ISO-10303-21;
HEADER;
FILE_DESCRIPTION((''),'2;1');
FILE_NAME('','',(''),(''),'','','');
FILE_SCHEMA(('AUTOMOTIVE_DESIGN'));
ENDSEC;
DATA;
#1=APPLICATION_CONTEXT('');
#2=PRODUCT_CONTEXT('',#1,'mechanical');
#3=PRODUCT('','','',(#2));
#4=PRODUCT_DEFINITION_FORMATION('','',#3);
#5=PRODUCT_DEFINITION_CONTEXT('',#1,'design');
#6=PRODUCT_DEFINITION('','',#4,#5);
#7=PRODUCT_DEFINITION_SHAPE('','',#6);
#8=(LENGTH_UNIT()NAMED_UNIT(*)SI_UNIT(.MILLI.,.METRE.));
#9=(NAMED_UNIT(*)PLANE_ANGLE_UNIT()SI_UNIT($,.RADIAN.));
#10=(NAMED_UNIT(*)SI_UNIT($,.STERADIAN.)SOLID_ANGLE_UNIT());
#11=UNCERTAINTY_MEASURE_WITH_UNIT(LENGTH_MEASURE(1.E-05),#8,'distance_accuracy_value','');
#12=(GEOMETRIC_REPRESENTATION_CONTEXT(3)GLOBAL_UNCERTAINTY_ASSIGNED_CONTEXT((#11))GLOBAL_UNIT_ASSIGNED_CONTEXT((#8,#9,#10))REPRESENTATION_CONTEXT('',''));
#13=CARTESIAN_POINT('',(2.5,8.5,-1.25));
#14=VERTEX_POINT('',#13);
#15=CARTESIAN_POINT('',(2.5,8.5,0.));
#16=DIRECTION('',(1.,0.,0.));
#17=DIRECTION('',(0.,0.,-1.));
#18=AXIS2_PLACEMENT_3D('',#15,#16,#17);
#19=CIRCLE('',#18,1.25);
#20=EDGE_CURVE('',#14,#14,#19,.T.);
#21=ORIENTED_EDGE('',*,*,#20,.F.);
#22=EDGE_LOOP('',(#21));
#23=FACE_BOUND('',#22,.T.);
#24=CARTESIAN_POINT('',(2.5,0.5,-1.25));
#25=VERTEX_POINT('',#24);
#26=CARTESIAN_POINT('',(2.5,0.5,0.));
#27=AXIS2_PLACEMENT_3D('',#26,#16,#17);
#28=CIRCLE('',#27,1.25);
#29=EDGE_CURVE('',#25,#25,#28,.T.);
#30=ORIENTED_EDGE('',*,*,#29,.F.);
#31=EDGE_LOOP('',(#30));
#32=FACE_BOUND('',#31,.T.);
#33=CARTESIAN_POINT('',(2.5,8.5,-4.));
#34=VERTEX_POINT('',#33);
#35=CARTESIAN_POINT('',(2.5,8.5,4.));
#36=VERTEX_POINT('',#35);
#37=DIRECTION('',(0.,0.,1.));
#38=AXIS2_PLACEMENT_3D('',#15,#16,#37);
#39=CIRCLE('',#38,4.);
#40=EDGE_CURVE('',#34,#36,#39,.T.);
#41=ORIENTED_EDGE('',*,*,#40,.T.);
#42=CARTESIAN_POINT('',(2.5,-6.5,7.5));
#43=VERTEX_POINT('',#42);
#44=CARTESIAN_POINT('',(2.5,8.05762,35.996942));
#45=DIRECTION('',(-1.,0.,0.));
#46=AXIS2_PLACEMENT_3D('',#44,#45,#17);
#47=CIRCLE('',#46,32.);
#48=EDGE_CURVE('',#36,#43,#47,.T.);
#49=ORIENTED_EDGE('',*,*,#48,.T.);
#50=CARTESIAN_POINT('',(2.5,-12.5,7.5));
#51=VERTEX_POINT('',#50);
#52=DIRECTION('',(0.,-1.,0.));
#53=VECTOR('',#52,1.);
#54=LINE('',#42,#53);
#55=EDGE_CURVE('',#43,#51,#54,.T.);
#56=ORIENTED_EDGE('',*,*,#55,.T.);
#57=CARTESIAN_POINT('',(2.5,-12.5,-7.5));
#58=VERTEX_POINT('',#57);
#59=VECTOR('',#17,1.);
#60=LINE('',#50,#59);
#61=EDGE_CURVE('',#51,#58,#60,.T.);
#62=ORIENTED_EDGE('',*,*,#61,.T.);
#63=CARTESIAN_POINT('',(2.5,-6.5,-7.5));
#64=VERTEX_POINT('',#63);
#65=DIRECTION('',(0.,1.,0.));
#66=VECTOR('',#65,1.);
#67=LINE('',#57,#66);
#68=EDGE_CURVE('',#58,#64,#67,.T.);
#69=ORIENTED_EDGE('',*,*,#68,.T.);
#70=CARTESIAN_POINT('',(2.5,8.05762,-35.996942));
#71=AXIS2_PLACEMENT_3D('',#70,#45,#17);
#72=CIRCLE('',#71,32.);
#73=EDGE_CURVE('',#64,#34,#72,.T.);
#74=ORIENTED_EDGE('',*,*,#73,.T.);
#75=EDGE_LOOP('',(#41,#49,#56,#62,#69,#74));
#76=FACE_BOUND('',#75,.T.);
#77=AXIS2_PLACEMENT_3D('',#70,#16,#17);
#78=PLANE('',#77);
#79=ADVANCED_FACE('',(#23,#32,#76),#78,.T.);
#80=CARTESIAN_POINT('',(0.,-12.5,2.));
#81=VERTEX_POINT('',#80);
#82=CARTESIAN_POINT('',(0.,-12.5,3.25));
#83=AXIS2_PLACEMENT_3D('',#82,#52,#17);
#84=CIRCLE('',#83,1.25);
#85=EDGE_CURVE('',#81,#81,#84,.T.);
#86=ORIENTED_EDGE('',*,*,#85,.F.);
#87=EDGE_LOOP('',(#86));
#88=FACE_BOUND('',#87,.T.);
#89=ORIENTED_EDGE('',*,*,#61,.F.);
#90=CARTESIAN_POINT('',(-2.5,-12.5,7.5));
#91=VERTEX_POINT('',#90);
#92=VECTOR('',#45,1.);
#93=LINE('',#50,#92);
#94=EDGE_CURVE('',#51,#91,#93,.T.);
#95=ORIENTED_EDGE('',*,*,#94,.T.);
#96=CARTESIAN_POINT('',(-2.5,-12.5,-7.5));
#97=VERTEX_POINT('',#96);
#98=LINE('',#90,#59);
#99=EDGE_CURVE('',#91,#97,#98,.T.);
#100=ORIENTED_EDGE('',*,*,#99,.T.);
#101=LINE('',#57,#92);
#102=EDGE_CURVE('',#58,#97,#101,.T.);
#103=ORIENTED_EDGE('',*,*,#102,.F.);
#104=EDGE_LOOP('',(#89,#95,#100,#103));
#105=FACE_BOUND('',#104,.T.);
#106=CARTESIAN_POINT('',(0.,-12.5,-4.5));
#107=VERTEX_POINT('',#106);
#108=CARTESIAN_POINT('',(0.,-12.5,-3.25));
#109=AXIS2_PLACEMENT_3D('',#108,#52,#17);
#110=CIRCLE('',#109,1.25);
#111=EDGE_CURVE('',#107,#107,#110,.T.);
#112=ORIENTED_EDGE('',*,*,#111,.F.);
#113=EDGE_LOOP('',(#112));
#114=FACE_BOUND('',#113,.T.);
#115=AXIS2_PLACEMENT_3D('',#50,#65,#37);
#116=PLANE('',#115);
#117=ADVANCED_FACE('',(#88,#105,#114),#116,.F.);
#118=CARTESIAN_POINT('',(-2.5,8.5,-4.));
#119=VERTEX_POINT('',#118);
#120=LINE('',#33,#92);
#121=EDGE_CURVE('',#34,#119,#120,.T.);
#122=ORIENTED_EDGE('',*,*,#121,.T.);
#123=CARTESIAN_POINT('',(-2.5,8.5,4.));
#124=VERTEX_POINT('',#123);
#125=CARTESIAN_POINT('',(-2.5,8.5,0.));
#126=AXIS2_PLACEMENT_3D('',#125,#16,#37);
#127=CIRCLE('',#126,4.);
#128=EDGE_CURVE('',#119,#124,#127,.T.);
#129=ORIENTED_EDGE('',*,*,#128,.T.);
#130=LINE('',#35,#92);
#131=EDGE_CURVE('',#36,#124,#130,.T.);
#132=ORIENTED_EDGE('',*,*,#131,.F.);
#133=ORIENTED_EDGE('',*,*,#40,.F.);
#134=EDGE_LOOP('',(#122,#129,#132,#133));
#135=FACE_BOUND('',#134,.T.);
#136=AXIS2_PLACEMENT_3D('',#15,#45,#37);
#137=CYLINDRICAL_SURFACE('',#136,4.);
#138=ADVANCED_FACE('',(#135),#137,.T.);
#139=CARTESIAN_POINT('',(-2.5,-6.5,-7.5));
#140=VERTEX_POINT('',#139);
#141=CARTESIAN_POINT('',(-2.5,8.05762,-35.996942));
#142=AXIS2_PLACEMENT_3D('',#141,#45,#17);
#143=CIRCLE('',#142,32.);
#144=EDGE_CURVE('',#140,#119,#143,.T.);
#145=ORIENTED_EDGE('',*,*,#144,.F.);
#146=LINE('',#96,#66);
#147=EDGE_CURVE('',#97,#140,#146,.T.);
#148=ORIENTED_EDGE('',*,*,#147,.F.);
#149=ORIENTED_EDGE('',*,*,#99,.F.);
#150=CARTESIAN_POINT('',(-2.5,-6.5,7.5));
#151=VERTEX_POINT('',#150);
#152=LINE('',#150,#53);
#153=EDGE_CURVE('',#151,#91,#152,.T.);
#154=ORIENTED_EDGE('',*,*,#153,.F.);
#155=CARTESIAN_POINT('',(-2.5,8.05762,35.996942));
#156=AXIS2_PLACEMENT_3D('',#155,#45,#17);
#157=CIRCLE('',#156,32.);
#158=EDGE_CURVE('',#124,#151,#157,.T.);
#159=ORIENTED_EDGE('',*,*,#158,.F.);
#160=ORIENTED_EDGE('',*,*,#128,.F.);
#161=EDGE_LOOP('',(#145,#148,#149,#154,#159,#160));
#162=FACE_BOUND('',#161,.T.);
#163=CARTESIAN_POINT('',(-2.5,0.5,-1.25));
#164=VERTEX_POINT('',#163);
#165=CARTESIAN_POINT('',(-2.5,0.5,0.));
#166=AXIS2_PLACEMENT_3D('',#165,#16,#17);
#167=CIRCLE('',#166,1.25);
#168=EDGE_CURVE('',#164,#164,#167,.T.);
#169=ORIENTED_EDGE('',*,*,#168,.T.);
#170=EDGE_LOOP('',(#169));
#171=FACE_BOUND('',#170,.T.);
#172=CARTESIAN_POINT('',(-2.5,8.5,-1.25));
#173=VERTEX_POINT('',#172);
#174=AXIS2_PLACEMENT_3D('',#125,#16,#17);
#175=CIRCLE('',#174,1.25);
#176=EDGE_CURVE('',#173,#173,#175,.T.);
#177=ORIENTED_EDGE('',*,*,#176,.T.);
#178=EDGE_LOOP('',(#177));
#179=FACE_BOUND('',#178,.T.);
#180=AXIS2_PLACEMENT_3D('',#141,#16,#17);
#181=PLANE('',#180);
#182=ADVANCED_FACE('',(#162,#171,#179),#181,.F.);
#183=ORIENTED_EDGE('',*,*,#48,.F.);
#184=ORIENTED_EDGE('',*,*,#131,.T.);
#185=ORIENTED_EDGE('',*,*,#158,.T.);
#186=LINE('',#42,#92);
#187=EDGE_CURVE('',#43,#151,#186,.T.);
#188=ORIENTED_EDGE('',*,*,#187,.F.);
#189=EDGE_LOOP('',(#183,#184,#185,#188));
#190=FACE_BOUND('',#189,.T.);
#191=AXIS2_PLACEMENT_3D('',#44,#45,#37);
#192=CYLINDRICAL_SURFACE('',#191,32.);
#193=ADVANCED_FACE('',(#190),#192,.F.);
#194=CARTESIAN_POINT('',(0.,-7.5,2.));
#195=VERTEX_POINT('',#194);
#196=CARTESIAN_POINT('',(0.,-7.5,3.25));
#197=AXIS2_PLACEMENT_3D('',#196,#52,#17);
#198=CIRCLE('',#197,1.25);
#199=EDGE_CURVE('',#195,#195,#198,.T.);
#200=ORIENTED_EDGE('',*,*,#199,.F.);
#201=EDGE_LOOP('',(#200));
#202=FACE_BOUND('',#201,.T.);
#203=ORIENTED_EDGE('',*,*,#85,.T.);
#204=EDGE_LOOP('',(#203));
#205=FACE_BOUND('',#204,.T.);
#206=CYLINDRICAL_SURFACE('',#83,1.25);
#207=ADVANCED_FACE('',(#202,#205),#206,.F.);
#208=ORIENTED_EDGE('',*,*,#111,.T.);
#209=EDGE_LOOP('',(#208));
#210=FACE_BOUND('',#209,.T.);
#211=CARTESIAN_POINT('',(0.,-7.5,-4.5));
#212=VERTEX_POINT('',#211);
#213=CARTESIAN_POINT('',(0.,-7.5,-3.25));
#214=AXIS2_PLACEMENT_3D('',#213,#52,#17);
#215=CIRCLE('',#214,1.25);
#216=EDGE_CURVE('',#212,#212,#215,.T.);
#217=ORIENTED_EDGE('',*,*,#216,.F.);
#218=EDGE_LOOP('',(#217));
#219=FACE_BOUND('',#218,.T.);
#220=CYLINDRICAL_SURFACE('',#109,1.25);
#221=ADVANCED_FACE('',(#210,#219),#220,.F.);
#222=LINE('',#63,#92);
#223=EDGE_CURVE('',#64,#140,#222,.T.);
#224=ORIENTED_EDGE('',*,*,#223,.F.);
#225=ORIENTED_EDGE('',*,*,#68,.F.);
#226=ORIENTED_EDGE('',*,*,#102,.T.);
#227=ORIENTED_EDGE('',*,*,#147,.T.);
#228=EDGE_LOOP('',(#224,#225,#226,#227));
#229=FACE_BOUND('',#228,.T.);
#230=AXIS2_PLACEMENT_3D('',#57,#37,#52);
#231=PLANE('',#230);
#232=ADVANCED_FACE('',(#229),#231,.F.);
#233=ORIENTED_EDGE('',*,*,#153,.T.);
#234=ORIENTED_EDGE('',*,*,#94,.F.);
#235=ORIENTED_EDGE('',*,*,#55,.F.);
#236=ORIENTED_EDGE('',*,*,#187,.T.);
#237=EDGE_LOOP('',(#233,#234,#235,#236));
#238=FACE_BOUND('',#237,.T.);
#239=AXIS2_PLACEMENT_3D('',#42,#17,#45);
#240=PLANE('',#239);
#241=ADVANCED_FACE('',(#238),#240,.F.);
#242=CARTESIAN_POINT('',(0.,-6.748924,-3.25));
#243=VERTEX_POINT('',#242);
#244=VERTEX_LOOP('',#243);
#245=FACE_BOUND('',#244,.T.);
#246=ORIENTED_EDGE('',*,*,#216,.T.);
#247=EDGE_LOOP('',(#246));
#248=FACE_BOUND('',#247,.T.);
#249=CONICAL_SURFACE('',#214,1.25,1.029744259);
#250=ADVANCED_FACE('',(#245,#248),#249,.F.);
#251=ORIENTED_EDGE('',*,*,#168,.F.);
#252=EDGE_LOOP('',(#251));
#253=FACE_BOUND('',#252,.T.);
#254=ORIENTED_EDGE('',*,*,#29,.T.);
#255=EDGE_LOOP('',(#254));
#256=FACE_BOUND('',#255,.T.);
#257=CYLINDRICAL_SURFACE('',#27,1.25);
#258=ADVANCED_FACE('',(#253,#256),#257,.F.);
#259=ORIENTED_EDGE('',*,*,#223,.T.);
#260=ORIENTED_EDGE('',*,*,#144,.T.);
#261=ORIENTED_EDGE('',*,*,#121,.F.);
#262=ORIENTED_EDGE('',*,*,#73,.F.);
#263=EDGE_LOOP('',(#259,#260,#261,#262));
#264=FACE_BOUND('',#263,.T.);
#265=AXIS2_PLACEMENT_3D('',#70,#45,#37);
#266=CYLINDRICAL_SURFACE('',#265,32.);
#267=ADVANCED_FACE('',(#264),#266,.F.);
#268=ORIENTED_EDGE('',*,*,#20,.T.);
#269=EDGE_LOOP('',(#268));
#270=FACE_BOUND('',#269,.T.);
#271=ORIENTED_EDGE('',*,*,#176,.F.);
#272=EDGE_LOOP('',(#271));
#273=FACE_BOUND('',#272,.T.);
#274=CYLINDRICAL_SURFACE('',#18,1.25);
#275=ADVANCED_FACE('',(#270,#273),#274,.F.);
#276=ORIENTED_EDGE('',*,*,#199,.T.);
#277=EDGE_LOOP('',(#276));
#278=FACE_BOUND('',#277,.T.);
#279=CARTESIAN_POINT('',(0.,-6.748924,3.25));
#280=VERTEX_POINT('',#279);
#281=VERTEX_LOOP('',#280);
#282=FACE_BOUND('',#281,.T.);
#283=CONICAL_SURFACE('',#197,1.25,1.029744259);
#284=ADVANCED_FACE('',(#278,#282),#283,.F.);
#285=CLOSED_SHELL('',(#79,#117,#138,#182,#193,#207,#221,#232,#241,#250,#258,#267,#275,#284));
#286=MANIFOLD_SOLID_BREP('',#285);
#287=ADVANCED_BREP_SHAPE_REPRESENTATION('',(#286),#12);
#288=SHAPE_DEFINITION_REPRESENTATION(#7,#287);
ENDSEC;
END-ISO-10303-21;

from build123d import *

# Parameters (mm, degrees)
BOSS_EXTRUDE1_DEPTH         = 2.5
TAP_DRILL_FOR_M3_TAP1_D     = 2.5
TAP_DRILL_FOR_M3_TAP2_D     = 2.5
TAP_DRILL_FOR_M3_TAP2_DEPTH = 5
TAP_DRILL_FOR_M3_TAP2_TIP   = 0.751075774


with BuildPart() as part:
    # Sketch1 → Boss-Extrude1 (new, symmetric)
    with BuildSketch(Plane(origin=(0, 0, 0), x_dir=(0, 0, -1), z_dir=(1, 0, 0))):
        with BuildLine():
            Line((-7.5, -12.5), (7.5, -12.5))
            Line((7.5, -12.5), (7.5, -6.5))
            ThreePointArc((7.5, -6.5), (4.834023326, 0.786272109), (4, 8.5))
            ThreePointArc((4, 8.5), (0, 12.5), (-4, 8.5))
            ThreePointArc((-4, 8.5), (-4.834023326, 0.786272109), (-7.5, -6.5))
            Line((-7.5, -6.5), (-7.5, -12.5))
        make_face()
    extrude(amount=BOSS_EXTRUDE1_DEPTH, both=True)

    # Tap Drill for M3 Tap1 (through all)
    with Locations(Plane(origin=(2.5, 0, 0), x_dir=(0, 0, -1), z_dir=(1, 0, 0))):
        with Locations((0, 8.5), (0, 0.5)):
            Hole(TAP_DRILL_FOR_M3_TAP1_D / 2)

    # Tap Drill for M3 Tap2
    with Locations(Plane(origin=(0, -12.5, 0), x_dir=(-1, 0, 0), z_dir=(0, -1, 0))):
        with Locations((0, -3.25), (0, 3.25)):
            Hole(TAP_DRILL_FOR_M3_TAP2_D / 2, depth=TAP_DRILL_FOR_M3_TAP2_DEPTH)
            with Locations((0, 0, -(TAP_DRILL_FOR_M3_TAP2_DEPTH + TAP_DRILL_FOR_M3_TAP2_TIP / 2))):  # 118° drill point
                Cone(0, TAP_DRILL_FOR_M3_TAP2_D / 2, TAP_DRILL_FOR_M3_TAP2_TIP, mode=Mode.SUBTRACT)


solid = part.part
